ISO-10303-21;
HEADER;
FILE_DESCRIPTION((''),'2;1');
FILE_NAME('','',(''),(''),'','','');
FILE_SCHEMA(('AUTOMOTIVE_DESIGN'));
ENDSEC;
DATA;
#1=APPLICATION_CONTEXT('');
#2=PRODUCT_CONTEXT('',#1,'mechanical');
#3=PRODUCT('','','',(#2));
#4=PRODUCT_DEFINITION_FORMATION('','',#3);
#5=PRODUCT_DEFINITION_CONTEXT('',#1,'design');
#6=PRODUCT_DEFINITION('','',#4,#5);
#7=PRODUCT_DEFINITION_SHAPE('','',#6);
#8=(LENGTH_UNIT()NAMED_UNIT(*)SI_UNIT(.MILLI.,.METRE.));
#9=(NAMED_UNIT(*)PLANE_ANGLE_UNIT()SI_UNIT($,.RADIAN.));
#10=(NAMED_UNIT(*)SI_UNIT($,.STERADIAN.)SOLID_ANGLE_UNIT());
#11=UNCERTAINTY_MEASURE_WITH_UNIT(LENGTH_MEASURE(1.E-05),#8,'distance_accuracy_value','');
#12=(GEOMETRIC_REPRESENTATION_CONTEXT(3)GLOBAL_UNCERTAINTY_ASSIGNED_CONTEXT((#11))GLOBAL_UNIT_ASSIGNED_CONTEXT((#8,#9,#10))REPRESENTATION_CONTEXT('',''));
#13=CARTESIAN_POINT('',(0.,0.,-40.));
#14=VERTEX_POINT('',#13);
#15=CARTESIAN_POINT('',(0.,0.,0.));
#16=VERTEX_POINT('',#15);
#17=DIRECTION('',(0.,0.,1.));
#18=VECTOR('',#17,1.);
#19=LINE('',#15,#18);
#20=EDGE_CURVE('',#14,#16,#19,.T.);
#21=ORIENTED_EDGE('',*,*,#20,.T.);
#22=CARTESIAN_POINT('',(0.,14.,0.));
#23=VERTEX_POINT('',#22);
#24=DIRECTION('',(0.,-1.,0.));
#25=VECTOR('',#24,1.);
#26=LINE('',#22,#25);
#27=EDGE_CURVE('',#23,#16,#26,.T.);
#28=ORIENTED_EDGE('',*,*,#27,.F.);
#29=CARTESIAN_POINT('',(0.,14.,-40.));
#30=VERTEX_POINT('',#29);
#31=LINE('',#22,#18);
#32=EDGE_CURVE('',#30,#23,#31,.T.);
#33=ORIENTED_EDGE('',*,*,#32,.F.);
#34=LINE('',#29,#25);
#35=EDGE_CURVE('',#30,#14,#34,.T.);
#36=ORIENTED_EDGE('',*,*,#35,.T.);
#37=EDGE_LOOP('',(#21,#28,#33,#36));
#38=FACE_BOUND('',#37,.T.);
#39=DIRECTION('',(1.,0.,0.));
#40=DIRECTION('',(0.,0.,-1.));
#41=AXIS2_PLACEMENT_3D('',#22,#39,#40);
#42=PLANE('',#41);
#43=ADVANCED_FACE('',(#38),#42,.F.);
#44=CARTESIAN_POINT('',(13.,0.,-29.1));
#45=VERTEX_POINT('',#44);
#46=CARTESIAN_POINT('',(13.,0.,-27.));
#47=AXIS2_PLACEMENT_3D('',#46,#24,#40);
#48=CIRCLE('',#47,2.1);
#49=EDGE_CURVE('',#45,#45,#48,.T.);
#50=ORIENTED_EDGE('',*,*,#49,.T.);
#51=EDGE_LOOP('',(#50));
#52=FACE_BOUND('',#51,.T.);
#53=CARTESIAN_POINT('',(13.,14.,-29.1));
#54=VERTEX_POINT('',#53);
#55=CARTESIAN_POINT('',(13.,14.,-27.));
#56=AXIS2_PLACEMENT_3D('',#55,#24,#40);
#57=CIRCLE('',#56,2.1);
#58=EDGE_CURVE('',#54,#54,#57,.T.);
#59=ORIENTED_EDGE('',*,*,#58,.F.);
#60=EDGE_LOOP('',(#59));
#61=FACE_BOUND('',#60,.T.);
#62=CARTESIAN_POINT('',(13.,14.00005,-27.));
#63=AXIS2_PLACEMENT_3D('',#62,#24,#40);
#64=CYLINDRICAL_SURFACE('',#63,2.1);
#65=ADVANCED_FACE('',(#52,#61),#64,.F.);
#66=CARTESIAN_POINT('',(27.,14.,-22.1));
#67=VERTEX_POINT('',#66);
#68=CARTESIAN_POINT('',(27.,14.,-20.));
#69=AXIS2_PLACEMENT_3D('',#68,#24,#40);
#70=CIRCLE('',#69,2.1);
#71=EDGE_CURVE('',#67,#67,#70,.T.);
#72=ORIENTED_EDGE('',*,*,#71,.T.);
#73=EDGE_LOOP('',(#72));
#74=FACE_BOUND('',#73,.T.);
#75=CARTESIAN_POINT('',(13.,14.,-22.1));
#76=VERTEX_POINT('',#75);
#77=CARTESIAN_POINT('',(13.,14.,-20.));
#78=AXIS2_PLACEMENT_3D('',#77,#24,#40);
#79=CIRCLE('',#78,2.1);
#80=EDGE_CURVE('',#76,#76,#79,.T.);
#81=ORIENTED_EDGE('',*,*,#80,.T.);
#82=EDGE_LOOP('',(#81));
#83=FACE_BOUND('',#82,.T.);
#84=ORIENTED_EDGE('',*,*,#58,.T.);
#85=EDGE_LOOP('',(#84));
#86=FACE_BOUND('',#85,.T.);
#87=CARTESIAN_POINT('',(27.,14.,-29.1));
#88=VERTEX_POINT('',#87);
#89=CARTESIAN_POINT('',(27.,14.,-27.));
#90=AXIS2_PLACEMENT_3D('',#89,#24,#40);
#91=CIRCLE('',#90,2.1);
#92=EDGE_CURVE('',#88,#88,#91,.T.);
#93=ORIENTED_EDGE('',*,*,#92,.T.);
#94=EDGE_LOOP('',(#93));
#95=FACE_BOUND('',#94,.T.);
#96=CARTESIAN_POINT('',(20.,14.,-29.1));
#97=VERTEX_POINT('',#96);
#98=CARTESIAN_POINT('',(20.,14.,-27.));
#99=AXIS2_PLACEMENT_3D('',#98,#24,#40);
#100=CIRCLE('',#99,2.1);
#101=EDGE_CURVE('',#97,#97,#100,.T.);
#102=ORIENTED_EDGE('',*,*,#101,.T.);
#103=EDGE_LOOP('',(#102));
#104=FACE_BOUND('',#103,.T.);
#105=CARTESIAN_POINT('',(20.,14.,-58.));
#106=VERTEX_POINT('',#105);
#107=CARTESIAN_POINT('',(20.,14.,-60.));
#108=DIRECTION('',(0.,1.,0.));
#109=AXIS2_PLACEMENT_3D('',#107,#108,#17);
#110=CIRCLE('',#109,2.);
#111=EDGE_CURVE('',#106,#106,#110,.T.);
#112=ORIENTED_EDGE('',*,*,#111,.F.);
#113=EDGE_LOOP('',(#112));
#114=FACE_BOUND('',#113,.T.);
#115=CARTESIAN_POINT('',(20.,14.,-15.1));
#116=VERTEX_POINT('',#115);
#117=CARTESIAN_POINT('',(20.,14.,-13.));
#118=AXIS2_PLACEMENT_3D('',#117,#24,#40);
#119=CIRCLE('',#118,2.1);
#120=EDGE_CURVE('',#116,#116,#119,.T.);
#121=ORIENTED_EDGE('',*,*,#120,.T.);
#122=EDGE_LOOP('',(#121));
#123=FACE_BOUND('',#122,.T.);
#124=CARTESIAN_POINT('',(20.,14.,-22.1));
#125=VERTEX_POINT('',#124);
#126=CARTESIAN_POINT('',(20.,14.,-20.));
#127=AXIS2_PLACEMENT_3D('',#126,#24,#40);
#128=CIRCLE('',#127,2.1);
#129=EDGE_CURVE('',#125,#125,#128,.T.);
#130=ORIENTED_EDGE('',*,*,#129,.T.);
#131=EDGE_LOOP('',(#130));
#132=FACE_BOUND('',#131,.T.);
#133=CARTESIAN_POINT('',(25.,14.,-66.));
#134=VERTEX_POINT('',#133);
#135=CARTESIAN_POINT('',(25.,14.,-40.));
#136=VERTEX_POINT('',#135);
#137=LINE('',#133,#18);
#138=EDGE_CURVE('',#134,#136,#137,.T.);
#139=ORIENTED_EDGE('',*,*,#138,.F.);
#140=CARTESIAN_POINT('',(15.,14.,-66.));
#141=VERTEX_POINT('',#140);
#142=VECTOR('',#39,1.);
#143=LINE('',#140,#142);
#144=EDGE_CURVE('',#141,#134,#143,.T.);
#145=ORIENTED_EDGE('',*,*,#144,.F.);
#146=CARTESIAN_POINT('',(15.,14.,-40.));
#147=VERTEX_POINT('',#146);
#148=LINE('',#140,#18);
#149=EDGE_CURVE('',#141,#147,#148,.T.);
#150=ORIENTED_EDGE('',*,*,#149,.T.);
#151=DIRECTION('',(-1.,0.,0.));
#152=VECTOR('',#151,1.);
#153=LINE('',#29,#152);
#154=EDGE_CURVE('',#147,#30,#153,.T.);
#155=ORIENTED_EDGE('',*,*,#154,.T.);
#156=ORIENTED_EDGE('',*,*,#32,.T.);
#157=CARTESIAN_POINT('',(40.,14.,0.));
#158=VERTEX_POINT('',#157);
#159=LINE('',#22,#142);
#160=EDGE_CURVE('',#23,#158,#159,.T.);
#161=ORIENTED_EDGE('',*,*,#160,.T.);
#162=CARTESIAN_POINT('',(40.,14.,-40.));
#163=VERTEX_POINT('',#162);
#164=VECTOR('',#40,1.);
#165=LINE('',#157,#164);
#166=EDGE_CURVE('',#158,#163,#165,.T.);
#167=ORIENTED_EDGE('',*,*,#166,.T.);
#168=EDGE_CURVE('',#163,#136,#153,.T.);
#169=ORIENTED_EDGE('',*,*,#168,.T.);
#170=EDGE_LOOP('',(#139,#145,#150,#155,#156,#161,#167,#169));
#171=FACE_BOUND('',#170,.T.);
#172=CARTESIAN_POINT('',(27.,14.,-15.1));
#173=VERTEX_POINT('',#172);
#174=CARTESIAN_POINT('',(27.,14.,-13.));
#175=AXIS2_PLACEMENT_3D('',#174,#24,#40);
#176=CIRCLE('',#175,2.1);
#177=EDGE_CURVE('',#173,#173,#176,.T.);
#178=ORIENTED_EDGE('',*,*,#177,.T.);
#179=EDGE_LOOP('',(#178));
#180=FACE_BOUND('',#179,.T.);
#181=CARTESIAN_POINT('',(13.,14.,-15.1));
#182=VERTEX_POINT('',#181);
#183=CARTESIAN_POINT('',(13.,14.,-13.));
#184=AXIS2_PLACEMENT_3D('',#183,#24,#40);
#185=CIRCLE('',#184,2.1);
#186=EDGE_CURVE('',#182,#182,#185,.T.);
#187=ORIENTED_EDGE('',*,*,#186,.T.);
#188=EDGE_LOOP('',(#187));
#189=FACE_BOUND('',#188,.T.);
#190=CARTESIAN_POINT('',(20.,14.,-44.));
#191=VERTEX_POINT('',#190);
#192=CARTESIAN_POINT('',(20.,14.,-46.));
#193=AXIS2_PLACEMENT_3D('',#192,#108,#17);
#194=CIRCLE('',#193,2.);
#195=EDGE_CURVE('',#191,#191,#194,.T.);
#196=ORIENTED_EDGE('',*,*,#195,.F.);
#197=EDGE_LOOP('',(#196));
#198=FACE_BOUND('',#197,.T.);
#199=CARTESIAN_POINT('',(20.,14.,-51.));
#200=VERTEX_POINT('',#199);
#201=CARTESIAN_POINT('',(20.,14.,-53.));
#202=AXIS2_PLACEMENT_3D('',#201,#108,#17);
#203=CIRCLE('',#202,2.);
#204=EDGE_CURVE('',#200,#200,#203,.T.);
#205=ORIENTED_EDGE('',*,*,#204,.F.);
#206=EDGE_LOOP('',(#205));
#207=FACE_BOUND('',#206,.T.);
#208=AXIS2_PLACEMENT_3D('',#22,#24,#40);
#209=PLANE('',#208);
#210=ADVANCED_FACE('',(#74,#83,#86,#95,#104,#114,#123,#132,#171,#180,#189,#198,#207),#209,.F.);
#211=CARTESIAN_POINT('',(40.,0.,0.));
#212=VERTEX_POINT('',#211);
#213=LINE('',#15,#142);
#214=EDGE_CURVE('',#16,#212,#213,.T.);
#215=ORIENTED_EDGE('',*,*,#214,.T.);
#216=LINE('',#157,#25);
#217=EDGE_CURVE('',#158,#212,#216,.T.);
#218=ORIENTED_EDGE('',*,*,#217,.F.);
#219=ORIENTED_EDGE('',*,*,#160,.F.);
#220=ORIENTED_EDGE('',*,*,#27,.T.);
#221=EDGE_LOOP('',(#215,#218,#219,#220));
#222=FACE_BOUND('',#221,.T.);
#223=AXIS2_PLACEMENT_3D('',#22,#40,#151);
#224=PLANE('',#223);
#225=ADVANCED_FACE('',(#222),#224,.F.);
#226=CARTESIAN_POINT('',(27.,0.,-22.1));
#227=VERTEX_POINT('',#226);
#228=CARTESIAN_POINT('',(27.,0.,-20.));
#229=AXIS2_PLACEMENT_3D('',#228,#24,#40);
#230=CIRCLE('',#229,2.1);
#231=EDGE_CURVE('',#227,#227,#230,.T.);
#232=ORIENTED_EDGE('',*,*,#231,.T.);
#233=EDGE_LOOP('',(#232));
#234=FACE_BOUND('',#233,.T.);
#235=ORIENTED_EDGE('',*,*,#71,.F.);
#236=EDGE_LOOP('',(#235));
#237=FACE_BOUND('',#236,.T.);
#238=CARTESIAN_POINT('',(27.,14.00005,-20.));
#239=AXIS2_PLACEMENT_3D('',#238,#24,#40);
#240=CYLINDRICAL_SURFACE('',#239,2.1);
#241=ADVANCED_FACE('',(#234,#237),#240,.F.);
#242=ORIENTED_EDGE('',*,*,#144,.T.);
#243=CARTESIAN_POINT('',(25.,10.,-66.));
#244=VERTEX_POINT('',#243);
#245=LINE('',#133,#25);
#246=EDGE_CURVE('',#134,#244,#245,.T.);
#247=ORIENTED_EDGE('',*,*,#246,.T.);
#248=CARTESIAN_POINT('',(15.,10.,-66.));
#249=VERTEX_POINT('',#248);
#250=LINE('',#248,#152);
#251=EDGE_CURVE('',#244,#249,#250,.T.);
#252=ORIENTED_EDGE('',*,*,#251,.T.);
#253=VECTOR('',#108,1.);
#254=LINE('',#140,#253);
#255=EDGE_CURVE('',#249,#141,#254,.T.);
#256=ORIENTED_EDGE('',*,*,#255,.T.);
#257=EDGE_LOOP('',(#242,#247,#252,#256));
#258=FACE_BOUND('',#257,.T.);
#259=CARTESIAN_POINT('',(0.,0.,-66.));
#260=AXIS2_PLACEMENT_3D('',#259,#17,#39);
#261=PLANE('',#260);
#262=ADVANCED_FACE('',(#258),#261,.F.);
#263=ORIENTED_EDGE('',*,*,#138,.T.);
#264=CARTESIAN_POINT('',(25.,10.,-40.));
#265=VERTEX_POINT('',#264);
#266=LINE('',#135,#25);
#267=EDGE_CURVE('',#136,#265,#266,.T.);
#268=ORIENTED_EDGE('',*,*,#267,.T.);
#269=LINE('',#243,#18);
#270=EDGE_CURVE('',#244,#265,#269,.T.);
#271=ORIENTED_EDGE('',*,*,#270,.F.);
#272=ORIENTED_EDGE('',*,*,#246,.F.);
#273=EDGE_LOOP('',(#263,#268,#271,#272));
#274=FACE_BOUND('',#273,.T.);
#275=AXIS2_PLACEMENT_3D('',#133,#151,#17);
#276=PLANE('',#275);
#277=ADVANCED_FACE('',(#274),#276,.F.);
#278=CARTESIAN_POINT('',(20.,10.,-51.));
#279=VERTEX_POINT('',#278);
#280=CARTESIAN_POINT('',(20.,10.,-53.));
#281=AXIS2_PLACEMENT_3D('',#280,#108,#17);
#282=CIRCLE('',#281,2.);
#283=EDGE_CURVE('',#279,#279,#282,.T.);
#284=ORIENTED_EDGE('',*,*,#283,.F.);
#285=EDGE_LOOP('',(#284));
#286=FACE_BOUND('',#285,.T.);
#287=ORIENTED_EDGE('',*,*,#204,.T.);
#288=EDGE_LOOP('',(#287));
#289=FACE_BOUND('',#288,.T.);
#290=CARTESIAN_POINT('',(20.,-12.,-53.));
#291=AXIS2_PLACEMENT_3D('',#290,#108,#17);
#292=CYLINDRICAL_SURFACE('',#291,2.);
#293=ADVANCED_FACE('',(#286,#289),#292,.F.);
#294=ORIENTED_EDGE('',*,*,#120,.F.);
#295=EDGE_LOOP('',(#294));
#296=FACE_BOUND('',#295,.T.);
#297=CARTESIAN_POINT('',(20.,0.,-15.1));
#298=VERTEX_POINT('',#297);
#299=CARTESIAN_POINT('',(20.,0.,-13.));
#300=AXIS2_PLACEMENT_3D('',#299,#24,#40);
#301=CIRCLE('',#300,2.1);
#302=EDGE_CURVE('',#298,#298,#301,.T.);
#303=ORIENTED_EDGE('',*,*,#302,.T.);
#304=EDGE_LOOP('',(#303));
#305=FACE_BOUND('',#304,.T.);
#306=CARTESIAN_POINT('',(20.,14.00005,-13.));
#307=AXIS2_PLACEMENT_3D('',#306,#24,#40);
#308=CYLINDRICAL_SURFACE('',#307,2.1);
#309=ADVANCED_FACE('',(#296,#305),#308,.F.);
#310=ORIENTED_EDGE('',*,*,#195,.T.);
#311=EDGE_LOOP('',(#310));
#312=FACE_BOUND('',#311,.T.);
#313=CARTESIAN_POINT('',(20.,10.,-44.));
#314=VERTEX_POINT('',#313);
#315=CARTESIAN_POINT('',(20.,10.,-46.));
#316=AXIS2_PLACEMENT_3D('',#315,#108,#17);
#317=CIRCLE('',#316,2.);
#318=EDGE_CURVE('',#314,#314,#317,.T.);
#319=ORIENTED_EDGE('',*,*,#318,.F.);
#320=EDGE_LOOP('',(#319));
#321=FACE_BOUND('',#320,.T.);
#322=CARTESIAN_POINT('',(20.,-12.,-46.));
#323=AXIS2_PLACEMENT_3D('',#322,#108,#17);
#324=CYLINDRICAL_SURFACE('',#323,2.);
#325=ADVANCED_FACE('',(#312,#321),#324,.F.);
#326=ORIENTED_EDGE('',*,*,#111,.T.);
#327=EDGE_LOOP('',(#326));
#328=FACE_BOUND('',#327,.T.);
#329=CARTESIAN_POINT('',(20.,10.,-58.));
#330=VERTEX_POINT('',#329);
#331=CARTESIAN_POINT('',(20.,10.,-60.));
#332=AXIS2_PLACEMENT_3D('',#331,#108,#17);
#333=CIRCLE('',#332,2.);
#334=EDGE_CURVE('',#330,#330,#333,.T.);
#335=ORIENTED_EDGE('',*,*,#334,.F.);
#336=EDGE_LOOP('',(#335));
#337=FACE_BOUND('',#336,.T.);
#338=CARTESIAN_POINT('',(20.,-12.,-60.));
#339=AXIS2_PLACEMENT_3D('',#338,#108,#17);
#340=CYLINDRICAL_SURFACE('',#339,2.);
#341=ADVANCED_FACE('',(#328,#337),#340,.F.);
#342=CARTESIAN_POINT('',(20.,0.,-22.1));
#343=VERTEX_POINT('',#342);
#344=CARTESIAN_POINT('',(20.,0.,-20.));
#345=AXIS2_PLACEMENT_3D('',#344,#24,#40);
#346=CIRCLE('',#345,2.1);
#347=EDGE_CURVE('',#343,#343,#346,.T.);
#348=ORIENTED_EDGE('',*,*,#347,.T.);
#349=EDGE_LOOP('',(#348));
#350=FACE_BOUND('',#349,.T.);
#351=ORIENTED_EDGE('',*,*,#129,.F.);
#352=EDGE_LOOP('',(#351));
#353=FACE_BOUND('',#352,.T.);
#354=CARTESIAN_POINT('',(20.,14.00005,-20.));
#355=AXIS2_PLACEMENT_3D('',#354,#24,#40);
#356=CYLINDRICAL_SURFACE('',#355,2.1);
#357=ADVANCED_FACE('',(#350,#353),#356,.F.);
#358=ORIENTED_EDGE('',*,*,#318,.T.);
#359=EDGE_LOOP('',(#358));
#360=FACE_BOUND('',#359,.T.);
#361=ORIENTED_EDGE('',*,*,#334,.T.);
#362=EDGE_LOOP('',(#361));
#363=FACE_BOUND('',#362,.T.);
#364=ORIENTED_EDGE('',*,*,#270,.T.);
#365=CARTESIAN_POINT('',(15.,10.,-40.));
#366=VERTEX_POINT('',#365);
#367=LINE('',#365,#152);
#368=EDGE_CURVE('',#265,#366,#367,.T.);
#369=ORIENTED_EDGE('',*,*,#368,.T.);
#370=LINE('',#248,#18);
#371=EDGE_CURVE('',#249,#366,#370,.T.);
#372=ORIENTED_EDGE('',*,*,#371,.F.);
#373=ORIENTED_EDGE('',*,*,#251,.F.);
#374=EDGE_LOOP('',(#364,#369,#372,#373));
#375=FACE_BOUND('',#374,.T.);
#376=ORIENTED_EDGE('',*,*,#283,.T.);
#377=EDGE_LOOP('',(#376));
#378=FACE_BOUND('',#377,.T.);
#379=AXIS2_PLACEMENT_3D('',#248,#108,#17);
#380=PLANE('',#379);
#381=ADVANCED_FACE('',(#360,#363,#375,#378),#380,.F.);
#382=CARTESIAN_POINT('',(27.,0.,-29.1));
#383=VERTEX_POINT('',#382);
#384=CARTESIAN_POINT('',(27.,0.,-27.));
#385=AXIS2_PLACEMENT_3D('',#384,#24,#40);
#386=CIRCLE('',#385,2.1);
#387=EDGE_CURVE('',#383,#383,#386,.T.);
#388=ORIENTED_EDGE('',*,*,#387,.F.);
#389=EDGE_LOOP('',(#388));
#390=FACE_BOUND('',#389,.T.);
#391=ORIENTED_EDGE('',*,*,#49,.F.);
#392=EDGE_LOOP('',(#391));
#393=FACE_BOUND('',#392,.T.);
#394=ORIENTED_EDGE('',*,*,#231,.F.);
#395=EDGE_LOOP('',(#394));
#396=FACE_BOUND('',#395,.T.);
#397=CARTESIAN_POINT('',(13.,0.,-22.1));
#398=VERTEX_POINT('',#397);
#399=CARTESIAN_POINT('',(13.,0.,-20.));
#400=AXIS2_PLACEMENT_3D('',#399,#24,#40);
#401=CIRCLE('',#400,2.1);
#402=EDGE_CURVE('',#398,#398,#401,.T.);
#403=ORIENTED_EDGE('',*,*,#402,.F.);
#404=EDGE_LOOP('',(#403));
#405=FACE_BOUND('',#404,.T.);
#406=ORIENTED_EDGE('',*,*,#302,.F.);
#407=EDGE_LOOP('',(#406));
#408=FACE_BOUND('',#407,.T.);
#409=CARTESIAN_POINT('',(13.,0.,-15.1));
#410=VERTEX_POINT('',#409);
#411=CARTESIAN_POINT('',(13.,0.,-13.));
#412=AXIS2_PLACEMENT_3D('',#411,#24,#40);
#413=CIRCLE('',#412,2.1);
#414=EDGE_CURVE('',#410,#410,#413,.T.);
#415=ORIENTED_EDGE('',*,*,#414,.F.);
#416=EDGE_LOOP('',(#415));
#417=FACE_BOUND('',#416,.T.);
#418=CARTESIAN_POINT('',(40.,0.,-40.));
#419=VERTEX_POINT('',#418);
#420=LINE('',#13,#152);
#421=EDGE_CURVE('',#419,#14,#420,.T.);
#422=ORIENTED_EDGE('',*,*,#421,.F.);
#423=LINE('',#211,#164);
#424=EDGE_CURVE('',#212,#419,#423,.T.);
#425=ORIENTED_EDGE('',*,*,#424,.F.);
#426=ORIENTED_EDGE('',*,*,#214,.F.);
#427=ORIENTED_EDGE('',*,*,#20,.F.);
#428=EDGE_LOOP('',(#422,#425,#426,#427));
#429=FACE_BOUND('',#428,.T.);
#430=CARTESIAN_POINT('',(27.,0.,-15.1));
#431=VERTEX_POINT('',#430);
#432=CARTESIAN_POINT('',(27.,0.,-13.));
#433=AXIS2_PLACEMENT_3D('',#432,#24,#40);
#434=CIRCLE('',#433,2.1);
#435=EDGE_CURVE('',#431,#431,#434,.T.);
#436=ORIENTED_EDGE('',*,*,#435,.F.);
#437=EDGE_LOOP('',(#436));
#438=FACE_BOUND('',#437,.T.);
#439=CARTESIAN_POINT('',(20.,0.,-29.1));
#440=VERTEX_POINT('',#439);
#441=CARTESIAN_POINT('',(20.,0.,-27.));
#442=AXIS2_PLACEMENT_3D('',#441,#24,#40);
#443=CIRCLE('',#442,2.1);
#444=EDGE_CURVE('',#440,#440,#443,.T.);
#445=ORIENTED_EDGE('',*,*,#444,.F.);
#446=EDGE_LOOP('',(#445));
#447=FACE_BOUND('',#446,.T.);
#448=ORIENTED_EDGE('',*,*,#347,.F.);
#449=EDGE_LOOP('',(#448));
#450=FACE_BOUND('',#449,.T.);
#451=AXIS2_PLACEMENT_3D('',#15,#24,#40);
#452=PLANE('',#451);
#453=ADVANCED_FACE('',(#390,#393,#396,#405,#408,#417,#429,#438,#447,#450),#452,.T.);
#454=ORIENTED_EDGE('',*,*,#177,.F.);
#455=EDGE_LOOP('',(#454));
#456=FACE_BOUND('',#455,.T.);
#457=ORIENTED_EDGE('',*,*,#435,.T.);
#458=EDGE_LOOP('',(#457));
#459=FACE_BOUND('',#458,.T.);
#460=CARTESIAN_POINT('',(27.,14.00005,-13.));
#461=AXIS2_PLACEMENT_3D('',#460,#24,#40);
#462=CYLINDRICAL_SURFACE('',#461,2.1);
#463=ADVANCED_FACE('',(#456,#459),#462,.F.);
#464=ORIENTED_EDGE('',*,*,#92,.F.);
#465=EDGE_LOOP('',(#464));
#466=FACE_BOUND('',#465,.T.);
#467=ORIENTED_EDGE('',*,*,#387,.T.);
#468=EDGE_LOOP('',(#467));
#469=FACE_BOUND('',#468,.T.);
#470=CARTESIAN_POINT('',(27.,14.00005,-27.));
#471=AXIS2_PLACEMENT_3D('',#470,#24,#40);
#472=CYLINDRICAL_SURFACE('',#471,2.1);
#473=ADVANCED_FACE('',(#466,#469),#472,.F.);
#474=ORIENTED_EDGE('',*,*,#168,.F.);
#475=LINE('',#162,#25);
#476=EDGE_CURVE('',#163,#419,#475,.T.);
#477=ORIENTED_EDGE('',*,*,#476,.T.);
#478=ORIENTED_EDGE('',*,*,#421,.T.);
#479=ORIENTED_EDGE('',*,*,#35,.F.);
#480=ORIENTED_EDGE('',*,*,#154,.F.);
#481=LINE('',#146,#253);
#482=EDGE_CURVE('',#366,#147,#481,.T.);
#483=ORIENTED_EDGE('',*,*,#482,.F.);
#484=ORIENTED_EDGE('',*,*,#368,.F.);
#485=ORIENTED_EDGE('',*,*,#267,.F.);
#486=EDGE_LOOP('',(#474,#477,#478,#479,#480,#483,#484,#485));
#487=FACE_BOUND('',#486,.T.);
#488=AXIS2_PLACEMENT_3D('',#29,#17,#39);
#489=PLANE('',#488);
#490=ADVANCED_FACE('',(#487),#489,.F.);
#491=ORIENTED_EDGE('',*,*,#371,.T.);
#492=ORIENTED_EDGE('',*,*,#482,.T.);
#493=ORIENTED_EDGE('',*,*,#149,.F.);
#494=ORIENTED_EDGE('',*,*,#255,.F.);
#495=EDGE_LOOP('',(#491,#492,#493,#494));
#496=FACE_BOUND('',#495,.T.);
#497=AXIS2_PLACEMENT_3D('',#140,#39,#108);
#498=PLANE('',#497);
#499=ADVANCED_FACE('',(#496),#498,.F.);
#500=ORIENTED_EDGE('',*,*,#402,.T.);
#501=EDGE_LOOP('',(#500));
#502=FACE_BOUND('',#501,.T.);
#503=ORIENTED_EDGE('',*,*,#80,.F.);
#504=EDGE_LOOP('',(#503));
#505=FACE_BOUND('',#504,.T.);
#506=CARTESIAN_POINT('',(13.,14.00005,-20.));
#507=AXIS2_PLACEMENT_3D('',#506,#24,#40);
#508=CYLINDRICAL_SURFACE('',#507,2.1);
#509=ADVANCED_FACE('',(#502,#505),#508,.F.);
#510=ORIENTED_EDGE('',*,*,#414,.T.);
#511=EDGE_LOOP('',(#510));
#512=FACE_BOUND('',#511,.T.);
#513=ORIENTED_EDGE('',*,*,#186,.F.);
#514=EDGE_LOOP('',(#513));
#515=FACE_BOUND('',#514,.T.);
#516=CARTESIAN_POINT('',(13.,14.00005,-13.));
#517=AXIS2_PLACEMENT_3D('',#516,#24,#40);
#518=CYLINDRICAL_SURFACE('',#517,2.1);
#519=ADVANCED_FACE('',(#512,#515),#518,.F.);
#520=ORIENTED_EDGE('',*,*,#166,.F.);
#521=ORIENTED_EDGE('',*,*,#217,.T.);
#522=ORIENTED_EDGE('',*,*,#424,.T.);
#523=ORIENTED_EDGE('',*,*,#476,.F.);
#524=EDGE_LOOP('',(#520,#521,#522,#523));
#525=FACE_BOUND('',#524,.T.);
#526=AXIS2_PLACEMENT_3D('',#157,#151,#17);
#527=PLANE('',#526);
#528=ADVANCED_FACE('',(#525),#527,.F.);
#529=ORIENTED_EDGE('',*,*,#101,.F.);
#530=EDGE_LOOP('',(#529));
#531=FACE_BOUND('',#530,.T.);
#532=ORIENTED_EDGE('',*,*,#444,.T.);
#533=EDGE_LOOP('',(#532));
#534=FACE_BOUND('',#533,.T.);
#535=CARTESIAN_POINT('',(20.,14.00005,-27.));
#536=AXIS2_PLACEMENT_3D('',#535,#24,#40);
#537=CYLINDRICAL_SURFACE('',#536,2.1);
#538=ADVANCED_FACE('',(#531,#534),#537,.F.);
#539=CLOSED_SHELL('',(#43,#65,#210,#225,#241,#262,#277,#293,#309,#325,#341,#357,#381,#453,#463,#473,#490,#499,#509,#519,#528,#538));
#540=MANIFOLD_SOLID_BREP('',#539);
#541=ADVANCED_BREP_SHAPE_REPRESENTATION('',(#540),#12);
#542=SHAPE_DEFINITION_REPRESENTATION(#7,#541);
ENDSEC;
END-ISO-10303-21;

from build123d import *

# Parameters (mm, degrees)
SKETCH1_W           = 40
SKETCH1_H           = 40
BOSS_EXTRUDE1_DEPTH = 14
SKETCH4_W           = 10
SKETCH4_H           = 4
BOSS_EXTRUDE3_DEPTH = 26
SKETCH5_R           = 2
CUT_EXTRUDE2_DEPTH  = 26
SKETCH6_R           = 2.1
CUT_EXTRUDE3_DEPTH  = 15


with BuildPart() as part:
    # Sketch1 → Boss-Extrude1 (new body)
    with BuildSketch(Plane(origin=(0, 0, 0), x_dir=(1, 0, 0), z_dir=(0, 1, 0))):
        with Locations((20, 20)):
            Rectangle(SKETCH1_W, SKETCH1_H)
    extrude(amount=BOSS_EXTRUDE1_DEPTH)

    # Sketch4 → Boss-Extrude3 (add)
    with BuildSketch(Plane(origin=(0, 0, -40), x_dir=(-1, 0, 0), z_dir=(0, 0, -1))):
        with Locations((-20, 12)):
            Rectangle(SKETCH4_W, SKETCH4_H)
    extrude(amount=BOSS_EXTRUDE3_DEPTH)

    # Sketch5 → Cut-Extrude2 (cut)
    with BuildSketch(Plane(origin=(0, 14, 0), x_dir=(1, 0, 0), z_dir=(0, 1, 0))):
        with Locations((20, 60)):
            Circle(SKETCH5_R)
        with Locations((20, 53)):
            Circle(SKETCH5_R)
        with Locations((20, 46)):
            Circle(SKETCH5_R)
    extrude(amount=-CUT_EXTRUDE2_DEPTH, mode=Mode.SUBTRACT)

    # Sketch6 → Cut-Extrude3 (cut, through all)
    with BuildSketch(Plane.XZ):
        with Locations((13, -27)):
            Circle(SKETCH6_R)
        with Locations((20, -27)):
            Circle(SKETCH6_R)
        with Locations((27, -27)):
            Circle(SKETCH6_R)
        with Locations((20, -20)):
            Circle(SKETCH6_R)
        with Locations((27, -20)):
            Circle(SKETCH6_R)
        with Locations((20, -13)):
            Circle(SKETCH6_R)
        with Locations((27, -13)):
            Circle(SKETCH6_R)
        with Locations((13, -20)):
            Circle(SKETCH6_R)
        with Locations((13, -13)):
            Circle(SKETCH6_R)
    extrude(amount=-CUT_EXTRUDE3_DEPTH, mode=Mode.SUBTRACT)


solid = part.part
